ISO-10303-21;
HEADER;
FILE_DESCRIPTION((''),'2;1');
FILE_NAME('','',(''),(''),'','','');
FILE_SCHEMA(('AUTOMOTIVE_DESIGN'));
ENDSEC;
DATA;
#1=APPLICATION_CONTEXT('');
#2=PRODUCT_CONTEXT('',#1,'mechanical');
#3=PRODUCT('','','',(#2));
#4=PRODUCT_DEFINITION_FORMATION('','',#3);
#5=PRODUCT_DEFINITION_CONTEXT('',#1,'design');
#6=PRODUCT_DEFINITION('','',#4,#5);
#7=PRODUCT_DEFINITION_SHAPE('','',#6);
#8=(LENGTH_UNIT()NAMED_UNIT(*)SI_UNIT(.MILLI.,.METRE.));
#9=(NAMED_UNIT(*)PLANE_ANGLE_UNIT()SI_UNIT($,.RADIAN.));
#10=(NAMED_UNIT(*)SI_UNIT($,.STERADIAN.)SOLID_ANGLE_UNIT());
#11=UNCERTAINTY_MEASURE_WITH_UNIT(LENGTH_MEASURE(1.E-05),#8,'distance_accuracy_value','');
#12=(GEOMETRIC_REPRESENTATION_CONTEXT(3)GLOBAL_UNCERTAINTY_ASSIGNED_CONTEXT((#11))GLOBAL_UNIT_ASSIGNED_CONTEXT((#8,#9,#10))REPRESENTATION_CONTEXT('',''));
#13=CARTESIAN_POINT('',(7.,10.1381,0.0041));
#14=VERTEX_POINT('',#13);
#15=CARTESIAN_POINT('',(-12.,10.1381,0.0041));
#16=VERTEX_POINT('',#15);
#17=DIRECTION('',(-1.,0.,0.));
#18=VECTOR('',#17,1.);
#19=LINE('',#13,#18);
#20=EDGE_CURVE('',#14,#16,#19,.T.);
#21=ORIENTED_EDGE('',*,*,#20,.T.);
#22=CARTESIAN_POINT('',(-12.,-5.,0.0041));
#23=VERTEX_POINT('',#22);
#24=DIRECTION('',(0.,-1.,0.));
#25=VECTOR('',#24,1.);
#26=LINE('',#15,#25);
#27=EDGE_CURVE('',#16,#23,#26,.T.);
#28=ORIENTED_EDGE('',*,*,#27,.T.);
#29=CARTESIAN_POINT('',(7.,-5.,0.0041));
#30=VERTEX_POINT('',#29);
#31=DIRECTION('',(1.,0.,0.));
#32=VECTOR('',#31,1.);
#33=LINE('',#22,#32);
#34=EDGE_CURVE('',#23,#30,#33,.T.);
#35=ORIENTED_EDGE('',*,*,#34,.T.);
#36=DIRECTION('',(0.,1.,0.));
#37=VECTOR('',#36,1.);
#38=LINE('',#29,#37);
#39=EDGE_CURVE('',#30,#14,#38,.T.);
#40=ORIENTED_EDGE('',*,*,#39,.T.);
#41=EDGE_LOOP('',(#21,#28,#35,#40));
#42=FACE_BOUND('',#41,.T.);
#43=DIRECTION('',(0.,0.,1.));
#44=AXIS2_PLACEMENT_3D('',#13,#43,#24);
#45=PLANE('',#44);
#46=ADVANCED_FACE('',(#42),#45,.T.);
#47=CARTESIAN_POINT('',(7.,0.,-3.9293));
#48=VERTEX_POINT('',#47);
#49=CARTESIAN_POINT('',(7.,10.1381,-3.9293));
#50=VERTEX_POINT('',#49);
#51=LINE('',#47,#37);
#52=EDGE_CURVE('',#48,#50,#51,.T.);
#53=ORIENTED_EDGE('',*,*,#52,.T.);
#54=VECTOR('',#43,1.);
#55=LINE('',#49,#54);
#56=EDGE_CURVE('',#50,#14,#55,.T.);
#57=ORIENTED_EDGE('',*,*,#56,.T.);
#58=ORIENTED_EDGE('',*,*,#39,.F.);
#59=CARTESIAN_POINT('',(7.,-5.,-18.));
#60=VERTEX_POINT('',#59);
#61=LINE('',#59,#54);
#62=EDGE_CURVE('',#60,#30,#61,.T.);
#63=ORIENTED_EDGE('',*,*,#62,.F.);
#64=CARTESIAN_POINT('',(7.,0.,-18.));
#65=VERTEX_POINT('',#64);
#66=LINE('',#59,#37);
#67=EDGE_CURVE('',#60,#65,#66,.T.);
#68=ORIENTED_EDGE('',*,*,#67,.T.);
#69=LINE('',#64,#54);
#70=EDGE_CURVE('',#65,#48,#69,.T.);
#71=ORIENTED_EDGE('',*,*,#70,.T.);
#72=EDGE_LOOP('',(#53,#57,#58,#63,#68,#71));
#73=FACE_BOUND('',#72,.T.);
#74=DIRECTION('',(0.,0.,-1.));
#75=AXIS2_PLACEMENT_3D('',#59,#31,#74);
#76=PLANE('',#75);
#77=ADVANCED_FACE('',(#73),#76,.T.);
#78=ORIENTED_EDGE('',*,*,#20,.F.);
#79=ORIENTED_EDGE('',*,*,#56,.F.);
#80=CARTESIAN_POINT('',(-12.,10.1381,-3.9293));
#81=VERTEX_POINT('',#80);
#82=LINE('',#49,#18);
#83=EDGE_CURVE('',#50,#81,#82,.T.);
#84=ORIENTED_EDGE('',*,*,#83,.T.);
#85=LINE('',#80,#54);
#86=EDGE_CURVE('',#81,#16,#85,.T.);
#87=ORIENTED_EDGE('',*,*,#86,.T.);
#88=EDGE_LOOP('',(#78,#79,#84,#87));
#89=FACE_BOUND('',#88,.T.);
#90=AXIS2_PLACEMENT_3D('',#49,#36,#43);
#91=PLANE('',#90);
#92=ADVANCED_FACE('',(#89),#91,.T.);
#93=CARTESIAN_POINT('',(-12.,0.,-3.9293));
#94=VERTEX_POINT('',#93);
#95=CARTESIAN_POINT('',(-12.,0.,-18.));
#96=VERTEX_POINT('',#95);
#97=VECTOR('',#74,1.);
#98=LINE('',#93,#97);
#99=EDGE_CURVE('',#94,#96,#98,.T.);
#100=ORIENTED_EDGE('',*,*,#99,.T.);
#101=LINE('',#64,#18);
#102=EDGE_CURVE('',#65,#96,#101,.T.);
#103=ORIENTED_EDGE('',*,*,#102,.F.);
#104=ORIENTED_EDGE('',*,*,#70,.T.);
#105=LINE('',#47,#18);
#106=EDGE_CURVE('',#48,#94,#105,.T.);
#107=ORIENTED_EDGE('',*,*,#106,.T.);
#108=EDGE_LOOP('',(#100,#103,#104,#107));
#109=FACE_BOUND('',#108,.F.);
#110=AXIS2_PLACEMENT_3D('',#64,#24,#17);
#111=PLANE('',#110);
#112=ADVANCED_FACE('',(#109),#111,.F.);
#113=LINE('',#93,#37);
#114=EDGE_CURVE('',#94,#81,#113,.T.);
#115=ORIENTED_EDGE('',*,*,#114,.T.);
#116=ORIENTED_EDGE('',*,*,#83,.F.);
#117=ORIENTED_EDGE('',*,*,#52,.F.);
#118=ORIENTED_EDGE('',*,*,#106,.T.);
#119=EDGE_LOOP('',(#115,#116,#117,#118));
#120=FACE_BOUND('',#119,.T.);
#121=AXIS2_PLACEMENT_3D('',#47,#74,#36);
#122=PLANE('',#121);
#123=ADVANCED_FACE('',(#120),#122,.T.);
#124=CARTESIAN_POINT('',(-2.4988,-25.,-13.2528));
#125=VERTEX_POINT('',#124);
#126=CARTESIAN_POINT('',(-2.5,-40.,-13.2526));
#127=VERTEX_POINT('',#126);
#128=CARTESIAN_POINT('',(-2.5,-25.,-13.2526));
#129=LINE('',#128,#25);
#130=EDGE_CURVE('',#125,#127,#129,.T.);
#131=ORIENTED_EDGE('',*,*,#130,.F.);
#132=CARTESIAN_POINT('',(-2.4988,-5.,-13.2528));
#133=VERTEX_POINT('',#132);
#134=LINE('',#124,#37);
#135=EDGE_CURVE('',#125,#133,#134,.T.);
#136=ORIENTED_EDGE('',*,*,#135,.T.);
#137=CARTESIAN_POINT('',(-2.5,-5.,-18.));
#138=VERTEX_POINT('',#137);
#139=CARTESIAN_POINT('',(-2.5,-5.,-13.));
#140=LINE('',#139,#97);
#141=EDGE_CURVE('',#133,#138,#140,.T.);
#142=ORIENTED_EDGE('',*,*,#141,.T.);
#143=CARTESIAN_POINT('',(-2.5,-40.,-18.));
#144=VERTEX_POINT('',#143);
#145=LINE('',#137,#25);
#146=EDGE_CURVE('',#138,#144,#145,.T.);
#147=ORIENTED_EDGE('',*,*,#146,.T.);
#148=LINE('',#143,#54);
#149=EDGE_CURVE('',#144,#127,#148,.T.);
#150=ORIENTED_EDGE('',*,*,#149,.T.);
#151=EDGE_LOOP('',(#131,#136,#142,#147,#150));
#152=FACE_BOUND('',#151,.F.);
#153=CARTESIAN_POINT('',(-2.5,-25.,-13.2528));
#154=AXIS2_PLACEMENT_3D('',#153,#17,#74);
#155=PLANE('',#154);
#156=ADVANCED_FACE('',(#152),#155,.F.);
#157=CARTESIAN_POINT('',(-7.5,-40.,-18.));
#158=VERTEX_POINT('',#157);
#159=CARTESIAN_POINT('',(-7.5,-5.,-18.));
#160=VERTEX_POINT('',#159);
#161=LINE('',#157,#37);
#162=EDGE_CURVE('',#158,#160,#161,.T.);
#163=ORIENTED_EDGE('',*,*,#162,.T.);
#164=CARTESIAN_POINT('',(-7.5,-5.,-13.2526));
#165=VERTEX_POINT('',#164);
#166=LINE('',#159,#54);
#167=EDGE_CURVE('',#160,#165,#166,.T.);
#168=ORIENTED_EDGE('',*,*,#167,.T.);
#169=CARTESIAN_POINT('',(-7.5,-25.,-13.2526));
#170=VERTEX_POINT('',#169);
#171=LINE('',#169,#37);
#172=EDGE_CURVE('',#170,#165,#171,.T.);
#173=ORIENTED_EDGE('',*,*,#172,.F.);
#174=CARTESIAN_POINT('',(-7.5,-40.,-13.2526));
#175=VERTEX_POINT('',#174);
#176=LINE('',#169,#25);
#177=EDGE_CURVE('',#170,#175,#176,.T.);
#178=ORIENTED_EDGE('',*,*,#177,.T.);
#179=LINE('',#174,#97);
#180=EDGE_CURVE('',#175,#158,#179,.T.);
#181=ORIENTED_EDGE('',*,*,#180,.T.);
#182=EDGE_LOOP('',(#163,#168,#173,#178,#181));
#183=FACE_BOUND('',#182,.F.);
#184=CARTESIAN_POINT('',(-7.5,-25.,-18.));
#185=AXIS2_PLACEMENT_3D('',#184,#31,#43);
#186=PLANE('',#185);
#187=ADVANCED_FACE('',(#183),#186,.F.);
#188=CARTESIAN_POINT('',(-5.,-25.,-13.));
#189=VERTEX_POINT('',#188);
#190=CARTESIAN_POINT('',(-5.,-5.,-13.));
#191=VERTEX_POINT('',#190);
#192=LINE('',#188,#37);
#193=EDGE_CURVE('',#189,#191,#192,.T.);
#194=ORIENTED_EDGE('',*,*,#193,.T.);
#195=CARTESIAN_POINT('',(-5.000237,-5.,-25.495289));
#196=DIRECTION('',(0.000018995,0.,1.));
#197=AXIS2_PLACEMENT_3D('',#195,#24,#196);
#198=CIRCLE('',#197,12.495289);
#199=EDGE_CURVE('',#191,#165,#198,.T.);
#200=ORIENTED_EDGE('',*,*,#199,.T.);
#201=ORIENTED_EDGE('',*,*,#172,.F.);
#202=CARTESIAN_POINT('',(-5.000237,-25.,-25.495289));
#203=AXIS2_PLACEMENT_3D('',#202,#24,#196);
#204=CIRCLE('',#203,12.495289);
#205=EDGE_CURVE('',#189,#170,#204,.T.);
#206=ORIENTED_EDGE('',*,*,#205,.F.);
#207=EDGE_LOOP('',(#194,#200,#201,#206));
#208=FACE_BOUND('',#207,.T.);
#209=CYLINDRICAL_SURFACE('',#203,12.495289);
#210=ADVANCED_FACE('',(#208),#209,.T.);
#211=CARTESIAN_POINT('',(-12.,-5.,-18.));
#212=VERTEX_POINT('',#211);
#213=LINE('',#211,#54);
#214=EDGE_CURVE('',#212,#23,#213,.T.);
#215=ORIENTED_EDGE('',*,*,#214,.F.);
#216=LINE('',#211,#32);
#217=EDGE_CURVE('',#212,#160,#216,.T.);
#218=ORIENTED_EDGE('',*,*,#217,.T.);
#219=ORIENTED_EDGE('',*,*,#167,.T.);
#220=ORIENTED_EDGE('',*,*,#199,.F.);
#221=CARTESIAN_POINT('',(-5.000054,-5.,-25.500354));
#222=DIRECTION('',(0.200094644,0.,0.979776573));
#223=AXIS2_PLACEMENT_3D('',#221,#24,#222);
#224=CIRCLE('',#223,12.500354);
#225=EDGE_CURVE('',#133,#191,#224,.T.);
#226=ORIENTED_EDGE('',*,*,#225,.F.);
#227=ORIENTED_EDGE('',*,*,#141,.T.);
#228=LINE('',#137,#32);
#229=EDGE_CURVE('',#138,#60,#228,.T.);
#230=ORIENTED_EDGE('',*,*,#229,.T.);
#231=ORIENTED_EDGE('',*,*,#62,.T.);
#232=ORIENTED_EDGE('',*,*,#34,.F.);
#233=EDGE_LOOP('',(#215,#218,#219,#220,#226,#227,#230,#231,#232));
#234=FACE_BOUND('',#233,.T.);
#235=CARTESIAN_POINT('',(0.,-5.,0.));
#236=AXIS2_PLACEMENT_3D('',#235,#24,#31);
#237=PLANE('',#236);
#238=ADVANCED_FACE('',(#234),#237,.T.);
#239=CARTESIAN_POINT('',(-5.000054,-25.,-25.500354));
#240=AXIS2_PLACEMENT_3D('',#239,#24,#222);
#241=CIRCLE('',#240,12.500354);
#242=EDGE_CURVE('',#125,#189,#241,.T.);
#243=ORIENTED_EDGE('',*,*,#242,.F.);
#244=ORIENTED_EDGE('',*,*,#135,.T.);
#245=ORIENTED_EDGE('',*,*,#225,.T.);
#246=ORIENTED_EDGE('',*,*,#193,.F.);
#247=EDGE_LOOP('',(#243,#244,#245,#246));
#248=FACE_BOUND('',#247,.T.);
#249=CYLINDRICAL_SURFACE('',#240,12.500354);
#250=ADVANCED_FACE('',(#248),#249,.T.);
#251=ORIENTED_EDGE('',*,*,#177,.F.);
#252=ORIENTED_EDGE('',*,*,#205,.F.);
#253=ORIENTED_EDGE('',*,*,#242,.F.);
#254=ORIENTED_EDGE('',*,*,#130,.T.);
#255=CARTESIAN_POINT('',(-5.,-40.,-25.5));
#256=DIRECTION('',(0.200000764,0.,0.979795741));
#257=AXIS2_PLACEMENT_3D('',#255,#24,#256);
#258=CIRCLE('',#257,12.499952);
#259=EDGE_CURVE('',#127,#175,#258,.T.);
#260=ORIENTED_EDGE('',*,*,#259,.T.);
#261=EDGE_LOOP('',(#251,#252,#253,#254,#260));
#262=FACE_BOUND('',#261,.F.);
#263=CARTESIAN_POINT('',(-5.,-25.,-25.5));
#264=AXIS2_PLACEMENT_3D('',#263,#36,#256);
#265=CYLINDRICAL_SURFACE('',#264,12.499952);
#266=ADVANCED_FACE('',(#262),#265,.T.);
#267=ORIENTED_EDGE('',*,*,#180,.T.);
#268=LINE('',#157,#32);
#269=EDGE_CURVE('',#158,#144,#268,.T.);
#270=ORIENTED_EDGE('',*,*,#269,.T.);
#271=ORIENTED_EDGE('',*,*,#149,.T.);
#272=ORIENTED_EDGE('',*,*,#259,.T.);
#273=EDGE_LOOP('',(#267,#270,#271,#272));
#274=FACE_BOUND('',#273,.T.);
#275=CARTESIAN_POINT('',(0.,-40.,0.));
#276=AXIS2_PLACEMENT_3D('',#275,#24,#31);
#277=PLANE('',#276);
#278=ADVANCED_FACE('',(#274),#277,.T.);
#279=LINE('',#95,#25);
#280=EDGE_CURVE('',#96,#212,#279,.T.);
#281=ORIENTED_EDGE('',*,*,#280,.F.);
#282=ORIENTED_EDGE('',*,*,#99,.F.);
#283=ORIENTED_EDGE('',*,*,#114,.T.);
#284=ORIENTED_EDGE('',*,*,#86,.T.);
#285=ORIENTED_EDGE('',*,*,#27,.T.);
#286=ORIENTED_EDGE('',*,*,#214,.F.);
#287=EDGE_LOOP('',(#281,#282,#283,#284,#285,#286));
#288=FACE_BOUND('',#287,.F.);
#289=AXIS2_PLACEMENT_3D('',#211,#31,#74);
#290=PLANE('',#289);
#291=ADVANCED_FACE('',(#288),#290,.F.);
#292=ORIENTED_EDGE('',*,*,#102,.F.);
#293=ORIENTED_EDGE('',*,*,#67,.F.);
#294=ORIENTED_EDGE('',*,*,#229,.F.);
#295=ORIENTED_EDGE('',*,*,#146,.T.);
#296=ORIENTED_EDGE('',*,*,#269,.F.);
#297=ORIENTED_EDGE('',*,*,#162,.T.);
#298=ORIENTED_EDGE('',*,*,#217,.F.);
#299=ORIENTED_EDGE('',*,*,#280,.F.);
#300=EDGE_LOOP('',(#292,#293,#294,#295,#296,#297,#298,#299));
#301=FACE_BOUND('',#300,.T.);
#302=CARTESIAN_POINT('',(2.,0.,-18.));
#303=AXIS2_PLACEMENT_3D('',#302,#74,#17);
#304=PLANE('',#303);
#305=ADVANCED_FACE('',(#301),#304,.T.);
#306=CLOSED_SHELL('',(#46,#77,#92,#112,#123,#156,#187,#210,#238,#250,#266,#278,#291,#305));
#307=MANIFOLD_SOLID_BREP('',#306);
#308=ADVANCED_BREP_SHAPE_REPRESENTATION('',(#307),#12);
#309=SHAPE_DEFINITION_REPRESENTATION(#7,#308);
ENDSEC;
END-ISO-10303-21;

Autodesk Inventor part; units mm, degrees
ref_plane "YZ Plane" through (0, 0, 0) normal (1, 0, 0) x (0, 1, 0)
ref_plane "XZ Plane" through (0, 0, 0) normal (0, 1, 0) x (-1, 0, 0)
ref_plane "XY Plane" through (0, 0, 0) normal (0, 0, 1) x (1, 0, 0)
sketch "Sketch1" plane through (0, 0, 0) normal (0, 1, 0) x (-1, 0, 0)
  line L0 (0, 0) -> (0, -13)
  line L1 (0, -13) -> (-2, -13)
  line L2 (-2, -13) -> (-2, 2)
  line L3 (-2, 2) -> (12, 2)
  line L4 (12, 2) -> (12, -13)
  line L5 (12, -13) -> (10, -13)
  line L6 (10, -13) -> (10, 0)
  line L7 (10, 0) -> (0, 0)
  dimension "d0" = 13
  dimension "d1" = 2
  dimension "d2" = 15
  dimension "d3" = 14
  dimension "d4" = 2
  dimension "d5" = 13
ref_plane "Work Plane2" through (-12, 0, 2) normal (0, 0, 1) x (1, 0, 0)
sketch "Sketch2" plane through (-12, 0, 2) normal (0, 0, 1) x (1, 0, 0)
  line L0 (0, 20) -> (14, 20) projected
  line L1 (7, 20) -> (7, 0)
  line L2 (12, 0) -> (2, 0) projected
  line L3 (7, 0) -> (7, 4.5)
  circle A0 centre (7, 4.5) radius 1.75
  line L4 (7, 4.5) -> (7, 15.5)
  circle A1 centre (7, 15.5) radius 1.75
  dimension "d8" = 4.5
  dimension "d9" = 3.5
  dimension "d10" = 11
  dimension "d11" = 3.5
ref_plane "Work Plane5" through (0, 0, 0) normal (0, -1, 0) x (1, 0, 0)
sketch "Sketch3" plane through (0, 0, 0) normal (0, -1, 0) x (1, 0, 0)
  line L0 (-12, 2) -> (2, 2) projected
  line L1 (-12, -13) -> (-12, 2) projected
  line L2 (2, 2) -> (-12, 2)
  line L3 (-12, 2) -> (-12, -13)
  line L4 (-12, -13) -> (2, -13)
  line L5 (2, -13) -> (2, 2)
  point P0 (0, 0)
extrude "Extrusion3" add sketch "Sketch3" along normal blind 5
ref_plane "Work Plane6" through (0, -5, 0) normal (0, -1, 0) x (1, 0, 0)
sketch "Sketch4" plane through (0, -5, 0) normal (0, -1, 0) x (1, 0, 0)
  line L0 (-12, -13) -> (2, -13) projected
  line L1 (2, -13) -> (-12, -13)
  line L2 (-12, -13) -> (-12, -8)
  line L3 (-12, -8) -> (2, -8)
  line L4 (2, -8) -> (2, -13)
  point P0 (0, 0)
  dimension "d16" = 14
  dimension "d17" = 5
ref_plane "Work Plane1" through (0, -25, 0) normal (0, -1, 0) x (1, 0, 0)
sketch "Sketch5" plane through (0, -25, 0) normal (0, -1, 0) x (1, 0, 0)
  line L0 (2, -8) -> (2, -13) projected
  line L1 (-12, -13) -> (2, -13) projected
  line L2 (-5, -13) -> (-5, 2)
  line L3 (2, 2) -> (-12, 2) projected
  line L4 (-5, -13) -> (-2.5, -13)
  line L5 (-10, -13) -> (0, -13) projected
  line L6 (-2.5, -13) -> (-2.5, -18)
  line L7 (-2.5, -18) -> (-7.5, -18)
  line L8 (-7.5, -18) -> (-7.5, -13)
  line L9 (-2.5, -13) -> (-7.5, -13)
  line L10 (-5, -13) -> (-5, -25.5)
  arc A0 (-2.4988, -13.2528) -> (-5, -13) centre (-5, -25.5) ccw
  arc A1 (-5, -13) -> (-7.5, -13.2526) centre (-5, -25.5) ccw
  point P0 (0, 0)
  point P1 (-2.5, -13.2526)
  dimension "d25" = 2.5
  dimension "d26" = 5
  dimension "d27" = 5
  dimension "d31" = 12.5
extrude "Extrusion4" add sketch "Sketch5" against normal blind 20 contours A0 L6 L7 L10 | L10 L7 L8 A1
ref_plane "Work Plane3" through (2, 20, -13) normal (0, 0, -1) x (-1, 0, 0)
sketch "Sketch6" plane through (2, 20, -13) normal (0, 0, -1) x (-1, 0, 0)
  line L0 (0, -25) -> (0, 0) projected
  line L1 (14, -25) -> (7, -25) projected
  line L2 (0, -20) -> (14, -20)
  line L3 (14, -20) -> (14, -25)
  line L4 (14, -25) -> (0, -25)
  line L5 (0, -25) -> (0, -20)
  point P0 (2, -20)
  point P1 (9.5, -25)
  point P2 (9.5, -25)
extrude "Extrusion5" add sketch "Sketch6" along normal up to surface (5 mm away)
ref_plane "Work Plane4" through (-10, 20, -13) normal (0, 0, -1) x (-1, 0, 0)
sketch "Sketch9" plane through (0, -25, 0) normal (0, -1, 0) x (1, 0, 0)
  arc A0 (-2.5, -13.2526) -> (-7.5, -13.2526) centre (-5, -25.5) ccw projected
  line L0 (-7.5, -13.2526) -> (-7.5, -18) projected
  line L1 (-7.5, -18) -> (-2.5, -18) projected
  line L2 (-2.5, -18) -> (-2.5, -13.2526) projected
  line L3 (-2.5, -18) -> (-2.5, -13.2526)
  line L4 (-2.5, -11.2171) -> (-2.5, -18) projected
  line L5 (-2.5, -18) -> (-7.5, -18)
  line L6 (2, -18) -> (-12, -18) projected
  line L7 (-7.5, -18) -> (-7.5, -13.2526)
  point P0 (0, 0)
extrude "Extrusion7" add sketch "Sketch9" along normal blind 15
sketch "Sketch11" plane through (2, 0, -18) normal (0, 0, -1) x (-1, 0, 0)
  line L0 (9.5, -5) -> (9.5, -40) projected
  line L1 (14, -5) -> (9.5, -5) projected
  line L2 (14, 0) -> (14, -5) projected
  line L3 (0, 0) -> (14, 0) projected
  line L4 (0, -5) -> (0, 0) projected
  line L5 (4.5, -5) -> (0, -5) projected
  line L6 (4.5, -5) -> (4.5, -40) projected
  line L7 (9.5, -40) -> (4.5, -40) projected
  line L8 (9.5, -5) -> (4.5, -5)
  line L9 (0, -5) -> (14, -5) projected
  line L10 (0, -5) -> (-5, -5)
  line L11 (-5, -5) -> (-5, 0)
  line L12 (0, -5) -> (0, 0) projected
  line L13 (-5, 0) -> (0, 0)
  line L14 (14, -5) -> (19, -5)
  line L15 (19, -5) -> (19, 0)
  line L16 (19, 0) -> (14, 0)
  point P0 (2, 0)
  dimension "d39" = 5
  dimension "d40" = 5
extrude "Extrusion9" add sketch "Sketch11" against normal up to surface (20 mm away) contours L10 L11 L13 L4
sketch "Sketch12" plane through (7, -5, -18) normal (1, 0, 0) x (0, 0, -1)
  line L0 (-14.0041, 5.1427) -> (-14.0041, 5) construction
  line L1 (-20, 5) -> (0, 5) construction
  line L2 (-14.0041, 5) -> (-18.0041, 5) construction
  line L3 (-20, 0) -> (0, 0) projected
  line L4 (-18.0041, 5) -> (-20, 5)
  line L5 (-20, 5) -> (-20, 0)
  line L6 (-20, 0) -> (-18.0041, 0)
  line L7 (-18.0041, 0) -> (-18.0041, 5)
  point P0 (-18, 5)
  dimension "d43" = 4
extrude "Extrusion10" cut sketch "Sketch12" against normal through all
sketch "Sketch13" plane through (7, -5, -18) normal (1, 0, 0) x (0, 0, -1)
  line L0 (0, 5) -> (-18.0041, 5) projected
  line L1 (-18.0041, 5) -> (-14.0707, 5)
  line L2 (-14.0707, 5) -> (-14.0707, 15.1381)
  line L3 (-14.0707, 15.1381) -> (-18.0041, 15.1381)
  line L4 (-18.0041, 15.1381) -> (-18.0041, 5)
  point P0 (-18, 5)
extrude "Extrusion11" add sketch "Sketch13" against normal up to surface (19 mm away)
equation "\"d41\" = d40"
